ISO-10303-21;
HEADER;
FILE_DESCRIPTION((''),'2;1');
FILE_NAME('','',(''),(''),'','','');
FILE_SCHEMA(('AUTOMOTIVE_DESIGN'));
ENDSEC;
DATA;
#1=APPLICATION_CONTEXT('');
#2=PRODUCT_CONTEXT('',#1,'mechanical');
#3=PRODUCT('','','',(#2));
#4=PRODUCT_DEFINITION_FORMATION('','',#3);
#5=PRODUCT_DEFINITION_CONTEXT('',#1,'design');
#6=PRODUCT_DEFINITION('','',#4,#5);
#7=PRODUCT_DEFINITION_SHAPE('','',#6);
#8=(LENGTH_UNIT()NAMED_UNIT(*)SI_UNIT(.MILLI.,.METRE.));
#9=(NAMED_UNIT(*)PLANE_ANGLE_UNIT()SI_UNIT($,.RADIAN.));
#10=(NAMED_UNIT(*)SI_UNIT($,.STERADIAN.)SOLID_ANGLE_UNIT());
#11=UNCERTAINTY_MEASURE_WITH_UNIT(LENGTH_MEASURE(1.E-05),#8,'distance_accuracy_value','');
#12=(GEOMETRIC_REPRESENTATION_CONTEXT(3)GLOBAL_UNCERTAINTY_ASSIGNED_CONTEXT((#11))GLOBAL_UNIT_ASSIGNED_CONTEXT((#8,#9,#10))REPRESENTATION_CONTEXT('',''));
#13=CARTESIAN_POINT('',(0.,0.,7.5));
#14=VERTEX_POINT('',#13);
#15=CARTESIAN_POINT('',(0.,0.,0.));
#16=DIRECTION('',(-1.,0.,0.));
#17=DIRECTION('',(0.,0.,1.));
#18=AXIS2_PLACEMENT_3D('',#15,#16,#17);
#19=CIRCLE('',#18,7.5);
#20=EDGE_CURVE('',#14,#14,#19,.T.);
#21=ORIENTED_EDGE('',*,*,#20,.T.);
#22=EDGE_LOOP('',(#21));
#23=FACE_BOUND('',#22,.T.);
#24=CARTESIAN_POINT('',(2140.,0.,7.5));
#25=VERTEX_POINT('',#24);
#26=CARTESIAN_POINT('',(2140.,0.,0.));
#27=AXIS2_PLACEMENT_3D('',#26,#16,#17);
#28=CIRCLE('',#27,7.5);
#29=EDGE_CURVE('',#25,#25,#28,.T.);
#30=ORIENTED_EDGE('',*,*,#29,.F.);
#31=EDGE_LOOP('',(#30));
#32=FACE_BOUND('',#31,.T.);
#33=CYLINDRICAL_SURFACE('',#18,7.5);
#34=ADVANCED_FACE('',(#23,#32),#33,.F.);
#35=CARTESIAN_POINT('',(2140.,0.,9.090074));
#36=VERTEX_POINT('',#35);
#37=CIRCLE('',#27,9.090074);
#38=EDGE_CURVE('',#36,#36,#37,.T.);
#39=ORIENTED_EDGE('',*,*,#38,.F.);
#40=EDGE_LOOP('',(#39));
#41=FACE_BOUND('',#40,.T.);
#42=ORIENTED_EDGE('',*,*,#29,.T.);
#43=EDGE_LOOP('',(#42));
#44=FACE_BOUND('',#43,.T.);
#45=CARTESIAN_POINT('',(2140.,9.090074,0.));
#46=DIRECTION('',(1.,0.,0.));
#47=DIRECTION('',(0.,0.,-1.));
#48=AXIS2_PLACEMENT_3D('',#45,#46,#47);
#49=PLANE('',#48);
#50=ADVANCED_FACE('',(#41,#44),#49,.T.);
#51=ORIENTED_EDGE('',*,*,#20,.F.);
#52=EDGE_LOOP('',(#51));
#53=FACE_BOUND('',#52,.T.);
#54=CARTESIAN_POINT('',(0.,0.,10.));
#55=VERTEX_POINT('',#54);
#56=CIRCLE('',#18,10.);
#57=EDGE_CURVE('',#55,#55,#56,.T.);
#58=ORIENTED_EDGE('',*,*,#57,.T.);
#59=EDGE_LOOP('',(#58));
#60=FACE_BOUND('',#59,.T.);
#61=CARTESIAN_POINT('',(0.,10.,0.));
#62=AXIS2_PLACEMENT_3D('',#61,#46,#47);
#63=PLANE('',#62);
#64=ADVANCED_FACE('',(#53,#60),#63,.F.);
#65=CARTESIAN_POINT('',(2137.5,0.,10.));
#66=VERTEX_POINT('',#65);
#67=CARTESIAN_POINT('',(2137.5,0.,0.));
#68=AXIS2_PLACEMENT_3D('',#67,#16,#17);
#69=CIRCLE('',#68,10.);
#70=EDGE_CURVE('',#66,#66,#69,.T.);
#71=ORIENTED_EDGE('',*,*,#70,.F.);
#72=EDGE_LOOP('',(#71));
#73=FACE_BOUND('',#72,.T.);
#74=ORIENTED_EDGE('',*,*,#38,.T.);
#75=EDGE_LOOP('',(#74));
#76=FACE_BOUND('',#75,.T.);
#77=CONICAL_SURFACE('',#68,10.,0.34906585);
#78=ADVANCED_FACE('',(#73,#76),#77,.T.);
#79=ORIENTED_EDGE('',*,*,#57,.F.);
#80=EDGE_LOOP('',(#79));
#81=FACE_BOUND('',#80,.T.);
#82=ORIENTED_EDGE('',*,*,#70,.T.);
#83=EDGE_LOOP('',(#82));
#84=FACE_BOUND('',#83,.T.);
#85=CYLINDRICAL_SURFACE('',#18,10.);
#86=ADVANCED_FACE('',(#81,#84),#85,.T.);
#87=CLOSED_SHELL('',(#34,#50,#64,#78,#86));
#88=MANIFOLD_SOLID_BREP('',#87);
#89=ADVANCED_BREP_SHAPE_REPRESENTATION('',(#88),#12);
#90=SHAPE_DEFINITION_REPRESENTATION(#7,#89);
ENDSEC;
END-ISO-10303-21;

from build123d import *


with BuildPart() as part:
    # Sketch1 → Base-Revolve (revolve)
    with BuildSketch(Plane.XY):
        Polygon((0, 10), (0, 7.5), (2140, 7.5), (2140, 9.090074414), (2137.5, 10), align=None)
    revolve(axis=Axis((0, 0, 0), (1, 0, 0)))


solid = part.part
